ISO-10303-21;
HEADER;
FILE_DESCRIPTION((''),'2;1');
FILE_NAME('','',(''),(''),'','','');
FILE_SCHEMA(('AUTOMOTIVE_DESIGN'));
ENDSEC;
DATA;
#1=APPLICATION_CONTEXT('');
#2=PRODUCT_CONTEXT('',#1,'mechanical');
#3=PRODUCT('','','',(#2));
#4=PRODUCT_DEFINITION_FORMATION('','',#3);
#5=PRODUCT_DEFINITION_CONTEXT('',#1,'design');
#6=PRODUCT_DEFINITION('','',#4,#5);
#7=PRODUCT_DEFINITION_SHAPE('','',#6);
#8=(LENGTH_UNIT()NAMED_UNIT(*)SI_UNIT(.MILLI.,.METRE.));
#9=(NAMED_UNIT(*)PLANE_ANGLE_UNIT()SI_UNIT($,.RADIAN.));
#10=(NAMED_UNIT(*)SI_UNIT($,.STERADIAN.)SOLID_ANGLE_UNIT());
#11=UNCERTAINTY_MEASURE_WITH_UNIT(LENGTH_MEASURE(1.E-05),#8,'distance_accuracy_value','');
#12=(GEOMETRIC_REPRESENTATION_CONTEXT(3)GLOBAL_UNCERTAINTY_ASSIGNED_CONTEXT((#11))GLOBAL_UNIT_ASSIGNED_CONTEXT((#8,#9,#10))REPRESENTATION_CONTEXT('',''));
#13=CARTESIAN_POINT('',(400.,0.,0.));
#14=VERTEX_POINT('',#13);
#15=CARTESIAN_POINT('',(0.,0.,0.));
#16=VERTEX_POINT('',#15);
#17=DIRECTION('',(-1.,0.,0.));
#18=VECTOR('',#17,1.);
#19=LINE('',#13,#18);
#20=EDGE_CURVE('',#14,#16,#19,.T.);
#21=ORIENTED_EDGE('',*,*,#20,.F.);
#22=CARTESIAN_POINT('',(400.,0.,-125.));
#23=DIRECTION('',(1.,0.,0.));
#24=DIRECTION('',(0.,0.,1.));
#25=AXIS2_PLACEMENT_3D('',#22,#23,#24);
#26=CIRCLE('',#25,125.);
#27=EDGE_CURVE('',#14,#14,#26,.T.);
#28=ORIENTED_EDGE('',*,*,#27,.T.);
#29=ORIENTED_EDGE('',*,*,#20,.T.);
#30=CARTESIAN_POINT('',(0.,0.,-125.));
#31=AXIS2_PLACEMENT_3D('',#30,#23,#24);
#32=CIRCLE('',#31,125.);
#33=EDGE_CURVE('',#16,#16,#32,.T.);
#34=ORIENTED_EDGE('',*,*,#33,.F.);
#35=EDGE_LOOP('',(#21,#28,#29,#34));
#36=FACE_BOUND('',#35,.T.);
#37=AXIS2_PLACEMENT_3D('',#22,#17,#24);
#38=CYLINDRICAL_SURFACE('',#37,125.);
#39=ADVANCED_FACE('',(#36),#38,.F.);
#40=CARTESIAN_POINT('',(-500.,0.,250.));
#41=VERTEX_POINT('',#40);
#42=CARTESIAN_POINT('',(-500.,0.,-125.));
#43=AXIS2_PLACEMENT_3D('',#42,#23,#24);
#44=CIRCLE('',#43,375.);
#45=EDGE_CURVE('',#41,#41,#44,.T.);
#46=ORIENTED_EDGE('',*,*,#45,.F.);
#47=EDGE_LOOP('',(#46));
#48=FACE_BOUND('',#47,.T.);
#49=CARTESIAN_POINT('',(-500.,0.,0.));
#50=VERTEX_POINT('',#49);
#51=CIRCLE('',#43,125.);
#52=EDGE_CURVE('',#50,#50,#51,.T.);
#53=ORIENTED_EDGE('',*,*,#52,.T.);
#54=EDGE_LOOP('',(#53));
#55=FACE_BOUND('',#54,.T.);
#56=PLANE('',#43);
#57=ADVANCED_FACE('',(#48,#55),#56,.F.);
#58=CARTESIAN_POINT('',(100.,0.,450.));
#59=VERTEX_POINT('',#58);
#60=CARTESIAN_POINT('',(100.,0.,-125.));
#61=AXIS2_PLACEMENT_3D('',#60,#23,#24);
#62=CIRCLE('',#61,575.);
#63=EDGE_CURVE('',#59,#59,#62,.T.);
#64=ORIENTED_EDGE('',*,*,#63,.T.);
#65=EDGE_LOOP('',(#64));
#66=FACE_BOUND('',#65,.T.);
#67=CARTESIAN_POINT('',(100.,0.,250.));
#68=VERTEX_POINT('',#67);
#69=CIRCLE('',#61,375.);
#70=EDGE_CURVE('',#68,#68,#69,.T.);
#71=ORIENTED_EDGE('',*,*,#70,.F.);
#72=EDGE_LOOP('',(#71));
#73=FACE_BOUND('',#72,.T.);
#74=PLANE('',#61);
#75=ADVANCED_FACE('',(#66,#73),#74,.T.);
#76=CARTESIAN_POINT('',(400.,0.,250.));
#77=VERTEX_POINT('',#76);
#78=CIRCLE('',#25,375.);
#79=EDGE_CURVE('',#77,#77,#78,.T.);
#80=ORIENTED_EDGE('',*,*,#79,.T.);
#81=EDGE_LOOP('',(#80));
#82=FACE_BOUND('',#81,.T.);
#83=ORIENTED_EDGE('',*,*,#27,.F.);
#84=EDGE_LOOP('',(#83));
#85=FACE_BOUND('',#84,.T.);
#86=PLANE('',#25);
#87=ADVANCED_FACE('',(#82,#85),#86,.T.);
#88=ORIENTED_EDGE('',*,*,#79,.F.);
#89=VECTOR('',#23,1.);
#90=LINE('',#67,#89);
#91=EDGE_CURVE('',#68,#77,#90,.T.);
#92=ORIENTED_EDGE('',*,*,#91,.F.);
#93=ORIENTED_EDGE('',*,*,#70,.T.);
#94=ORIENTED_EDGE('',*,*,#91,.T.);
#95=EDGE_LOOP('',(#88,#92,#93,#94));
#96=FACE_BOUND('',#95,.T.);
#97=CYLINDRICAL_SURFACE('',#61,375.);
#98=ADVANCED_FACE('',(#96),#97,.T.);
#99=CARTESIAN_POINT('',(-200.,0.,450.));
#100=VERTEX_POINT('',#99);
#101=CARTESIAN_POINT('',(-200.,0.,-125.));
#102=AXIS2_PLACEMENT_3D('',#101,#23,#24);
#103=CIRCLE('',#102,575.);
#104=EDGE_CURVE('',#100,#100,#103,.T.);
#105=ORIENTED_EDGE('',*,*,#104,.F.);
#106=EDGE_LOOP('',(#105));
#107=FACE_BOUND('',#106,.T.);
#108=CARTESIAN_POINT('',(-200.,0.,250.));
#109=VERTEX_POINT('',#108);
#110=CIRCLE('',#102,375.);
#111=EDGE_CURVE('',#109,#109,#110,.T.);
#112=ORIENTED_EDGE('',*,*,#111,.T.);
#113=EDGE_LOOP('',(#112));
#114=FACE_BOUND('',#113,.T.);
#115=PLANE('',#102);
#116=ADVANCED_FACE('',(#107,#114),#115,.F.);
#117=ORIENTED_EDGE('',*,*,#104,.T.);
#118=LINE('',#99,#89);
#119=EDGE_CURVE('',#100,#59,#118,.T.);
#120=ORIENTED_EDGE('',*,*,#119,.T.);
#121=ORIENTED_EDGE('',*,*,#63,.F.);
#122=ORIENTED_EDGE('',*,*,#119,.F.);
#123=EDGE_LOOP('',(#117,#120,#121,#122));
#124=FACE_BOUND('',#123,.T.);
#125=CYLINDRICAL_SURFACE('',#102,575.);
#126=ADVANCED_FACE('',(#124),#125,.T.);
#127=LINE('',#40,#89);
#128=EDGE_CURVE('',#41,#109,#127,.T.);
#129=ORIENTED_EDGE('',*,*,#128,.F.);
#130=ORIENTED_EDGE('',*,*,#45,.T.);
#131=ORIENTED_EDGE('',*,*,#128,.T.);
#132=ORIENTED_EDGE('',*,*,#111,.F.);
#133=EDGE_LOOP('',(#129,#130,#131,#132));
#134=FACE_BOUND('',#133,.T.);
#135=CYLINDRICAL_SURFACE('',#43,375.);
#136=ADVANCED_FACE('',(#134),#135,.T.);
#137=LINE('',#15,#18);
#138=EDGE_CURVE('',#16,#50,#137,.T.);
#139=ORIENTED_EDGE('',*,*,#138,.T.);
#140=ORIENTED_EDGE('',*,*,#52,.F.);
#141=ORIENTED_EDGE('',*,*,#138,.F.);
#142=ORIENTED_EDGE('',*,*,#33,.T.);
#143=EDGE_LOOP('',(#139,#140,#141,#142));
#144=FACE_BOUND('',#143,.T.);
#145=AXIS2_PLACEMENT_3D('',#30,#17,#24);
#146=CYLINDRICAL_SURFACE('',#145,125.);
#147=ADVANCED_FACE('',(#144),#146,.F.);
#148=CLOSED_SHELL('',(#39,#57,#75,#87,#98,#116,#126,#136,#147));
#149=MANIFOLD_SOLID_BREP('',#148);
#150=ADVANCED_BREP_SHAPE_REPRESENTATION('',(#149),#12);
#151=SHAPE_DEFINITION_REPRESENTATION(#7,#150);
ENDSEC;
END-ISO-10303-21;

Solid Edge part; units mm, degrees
sketch "Sketch1" plane through (0, 0, 0) normal (0, -1, 0) x (1, 0, 0)
  line L0 (-200, 250) -> (-200, 450)
  line L1 (-200, 450) -> (100, 450)
  line L2 (100, 450) -> (100, 250)
  line L3 (100, 250) -> (400, 250)
  line L4 (400, 250) -> (400, 0)
  line L5 (400, 0) -> (0, 0)
  line L6 (0, 0) -> (-500, 0)
  line L7 (-500, 0) -> (-500, 250)
  line L8 (-500, 250) -> (-200, 250)
revolve "RevolvedProtrusion1" add sketch "Sketch1" angle 360 about axis through (-500, 0, -125) along (1, 0, 0)
